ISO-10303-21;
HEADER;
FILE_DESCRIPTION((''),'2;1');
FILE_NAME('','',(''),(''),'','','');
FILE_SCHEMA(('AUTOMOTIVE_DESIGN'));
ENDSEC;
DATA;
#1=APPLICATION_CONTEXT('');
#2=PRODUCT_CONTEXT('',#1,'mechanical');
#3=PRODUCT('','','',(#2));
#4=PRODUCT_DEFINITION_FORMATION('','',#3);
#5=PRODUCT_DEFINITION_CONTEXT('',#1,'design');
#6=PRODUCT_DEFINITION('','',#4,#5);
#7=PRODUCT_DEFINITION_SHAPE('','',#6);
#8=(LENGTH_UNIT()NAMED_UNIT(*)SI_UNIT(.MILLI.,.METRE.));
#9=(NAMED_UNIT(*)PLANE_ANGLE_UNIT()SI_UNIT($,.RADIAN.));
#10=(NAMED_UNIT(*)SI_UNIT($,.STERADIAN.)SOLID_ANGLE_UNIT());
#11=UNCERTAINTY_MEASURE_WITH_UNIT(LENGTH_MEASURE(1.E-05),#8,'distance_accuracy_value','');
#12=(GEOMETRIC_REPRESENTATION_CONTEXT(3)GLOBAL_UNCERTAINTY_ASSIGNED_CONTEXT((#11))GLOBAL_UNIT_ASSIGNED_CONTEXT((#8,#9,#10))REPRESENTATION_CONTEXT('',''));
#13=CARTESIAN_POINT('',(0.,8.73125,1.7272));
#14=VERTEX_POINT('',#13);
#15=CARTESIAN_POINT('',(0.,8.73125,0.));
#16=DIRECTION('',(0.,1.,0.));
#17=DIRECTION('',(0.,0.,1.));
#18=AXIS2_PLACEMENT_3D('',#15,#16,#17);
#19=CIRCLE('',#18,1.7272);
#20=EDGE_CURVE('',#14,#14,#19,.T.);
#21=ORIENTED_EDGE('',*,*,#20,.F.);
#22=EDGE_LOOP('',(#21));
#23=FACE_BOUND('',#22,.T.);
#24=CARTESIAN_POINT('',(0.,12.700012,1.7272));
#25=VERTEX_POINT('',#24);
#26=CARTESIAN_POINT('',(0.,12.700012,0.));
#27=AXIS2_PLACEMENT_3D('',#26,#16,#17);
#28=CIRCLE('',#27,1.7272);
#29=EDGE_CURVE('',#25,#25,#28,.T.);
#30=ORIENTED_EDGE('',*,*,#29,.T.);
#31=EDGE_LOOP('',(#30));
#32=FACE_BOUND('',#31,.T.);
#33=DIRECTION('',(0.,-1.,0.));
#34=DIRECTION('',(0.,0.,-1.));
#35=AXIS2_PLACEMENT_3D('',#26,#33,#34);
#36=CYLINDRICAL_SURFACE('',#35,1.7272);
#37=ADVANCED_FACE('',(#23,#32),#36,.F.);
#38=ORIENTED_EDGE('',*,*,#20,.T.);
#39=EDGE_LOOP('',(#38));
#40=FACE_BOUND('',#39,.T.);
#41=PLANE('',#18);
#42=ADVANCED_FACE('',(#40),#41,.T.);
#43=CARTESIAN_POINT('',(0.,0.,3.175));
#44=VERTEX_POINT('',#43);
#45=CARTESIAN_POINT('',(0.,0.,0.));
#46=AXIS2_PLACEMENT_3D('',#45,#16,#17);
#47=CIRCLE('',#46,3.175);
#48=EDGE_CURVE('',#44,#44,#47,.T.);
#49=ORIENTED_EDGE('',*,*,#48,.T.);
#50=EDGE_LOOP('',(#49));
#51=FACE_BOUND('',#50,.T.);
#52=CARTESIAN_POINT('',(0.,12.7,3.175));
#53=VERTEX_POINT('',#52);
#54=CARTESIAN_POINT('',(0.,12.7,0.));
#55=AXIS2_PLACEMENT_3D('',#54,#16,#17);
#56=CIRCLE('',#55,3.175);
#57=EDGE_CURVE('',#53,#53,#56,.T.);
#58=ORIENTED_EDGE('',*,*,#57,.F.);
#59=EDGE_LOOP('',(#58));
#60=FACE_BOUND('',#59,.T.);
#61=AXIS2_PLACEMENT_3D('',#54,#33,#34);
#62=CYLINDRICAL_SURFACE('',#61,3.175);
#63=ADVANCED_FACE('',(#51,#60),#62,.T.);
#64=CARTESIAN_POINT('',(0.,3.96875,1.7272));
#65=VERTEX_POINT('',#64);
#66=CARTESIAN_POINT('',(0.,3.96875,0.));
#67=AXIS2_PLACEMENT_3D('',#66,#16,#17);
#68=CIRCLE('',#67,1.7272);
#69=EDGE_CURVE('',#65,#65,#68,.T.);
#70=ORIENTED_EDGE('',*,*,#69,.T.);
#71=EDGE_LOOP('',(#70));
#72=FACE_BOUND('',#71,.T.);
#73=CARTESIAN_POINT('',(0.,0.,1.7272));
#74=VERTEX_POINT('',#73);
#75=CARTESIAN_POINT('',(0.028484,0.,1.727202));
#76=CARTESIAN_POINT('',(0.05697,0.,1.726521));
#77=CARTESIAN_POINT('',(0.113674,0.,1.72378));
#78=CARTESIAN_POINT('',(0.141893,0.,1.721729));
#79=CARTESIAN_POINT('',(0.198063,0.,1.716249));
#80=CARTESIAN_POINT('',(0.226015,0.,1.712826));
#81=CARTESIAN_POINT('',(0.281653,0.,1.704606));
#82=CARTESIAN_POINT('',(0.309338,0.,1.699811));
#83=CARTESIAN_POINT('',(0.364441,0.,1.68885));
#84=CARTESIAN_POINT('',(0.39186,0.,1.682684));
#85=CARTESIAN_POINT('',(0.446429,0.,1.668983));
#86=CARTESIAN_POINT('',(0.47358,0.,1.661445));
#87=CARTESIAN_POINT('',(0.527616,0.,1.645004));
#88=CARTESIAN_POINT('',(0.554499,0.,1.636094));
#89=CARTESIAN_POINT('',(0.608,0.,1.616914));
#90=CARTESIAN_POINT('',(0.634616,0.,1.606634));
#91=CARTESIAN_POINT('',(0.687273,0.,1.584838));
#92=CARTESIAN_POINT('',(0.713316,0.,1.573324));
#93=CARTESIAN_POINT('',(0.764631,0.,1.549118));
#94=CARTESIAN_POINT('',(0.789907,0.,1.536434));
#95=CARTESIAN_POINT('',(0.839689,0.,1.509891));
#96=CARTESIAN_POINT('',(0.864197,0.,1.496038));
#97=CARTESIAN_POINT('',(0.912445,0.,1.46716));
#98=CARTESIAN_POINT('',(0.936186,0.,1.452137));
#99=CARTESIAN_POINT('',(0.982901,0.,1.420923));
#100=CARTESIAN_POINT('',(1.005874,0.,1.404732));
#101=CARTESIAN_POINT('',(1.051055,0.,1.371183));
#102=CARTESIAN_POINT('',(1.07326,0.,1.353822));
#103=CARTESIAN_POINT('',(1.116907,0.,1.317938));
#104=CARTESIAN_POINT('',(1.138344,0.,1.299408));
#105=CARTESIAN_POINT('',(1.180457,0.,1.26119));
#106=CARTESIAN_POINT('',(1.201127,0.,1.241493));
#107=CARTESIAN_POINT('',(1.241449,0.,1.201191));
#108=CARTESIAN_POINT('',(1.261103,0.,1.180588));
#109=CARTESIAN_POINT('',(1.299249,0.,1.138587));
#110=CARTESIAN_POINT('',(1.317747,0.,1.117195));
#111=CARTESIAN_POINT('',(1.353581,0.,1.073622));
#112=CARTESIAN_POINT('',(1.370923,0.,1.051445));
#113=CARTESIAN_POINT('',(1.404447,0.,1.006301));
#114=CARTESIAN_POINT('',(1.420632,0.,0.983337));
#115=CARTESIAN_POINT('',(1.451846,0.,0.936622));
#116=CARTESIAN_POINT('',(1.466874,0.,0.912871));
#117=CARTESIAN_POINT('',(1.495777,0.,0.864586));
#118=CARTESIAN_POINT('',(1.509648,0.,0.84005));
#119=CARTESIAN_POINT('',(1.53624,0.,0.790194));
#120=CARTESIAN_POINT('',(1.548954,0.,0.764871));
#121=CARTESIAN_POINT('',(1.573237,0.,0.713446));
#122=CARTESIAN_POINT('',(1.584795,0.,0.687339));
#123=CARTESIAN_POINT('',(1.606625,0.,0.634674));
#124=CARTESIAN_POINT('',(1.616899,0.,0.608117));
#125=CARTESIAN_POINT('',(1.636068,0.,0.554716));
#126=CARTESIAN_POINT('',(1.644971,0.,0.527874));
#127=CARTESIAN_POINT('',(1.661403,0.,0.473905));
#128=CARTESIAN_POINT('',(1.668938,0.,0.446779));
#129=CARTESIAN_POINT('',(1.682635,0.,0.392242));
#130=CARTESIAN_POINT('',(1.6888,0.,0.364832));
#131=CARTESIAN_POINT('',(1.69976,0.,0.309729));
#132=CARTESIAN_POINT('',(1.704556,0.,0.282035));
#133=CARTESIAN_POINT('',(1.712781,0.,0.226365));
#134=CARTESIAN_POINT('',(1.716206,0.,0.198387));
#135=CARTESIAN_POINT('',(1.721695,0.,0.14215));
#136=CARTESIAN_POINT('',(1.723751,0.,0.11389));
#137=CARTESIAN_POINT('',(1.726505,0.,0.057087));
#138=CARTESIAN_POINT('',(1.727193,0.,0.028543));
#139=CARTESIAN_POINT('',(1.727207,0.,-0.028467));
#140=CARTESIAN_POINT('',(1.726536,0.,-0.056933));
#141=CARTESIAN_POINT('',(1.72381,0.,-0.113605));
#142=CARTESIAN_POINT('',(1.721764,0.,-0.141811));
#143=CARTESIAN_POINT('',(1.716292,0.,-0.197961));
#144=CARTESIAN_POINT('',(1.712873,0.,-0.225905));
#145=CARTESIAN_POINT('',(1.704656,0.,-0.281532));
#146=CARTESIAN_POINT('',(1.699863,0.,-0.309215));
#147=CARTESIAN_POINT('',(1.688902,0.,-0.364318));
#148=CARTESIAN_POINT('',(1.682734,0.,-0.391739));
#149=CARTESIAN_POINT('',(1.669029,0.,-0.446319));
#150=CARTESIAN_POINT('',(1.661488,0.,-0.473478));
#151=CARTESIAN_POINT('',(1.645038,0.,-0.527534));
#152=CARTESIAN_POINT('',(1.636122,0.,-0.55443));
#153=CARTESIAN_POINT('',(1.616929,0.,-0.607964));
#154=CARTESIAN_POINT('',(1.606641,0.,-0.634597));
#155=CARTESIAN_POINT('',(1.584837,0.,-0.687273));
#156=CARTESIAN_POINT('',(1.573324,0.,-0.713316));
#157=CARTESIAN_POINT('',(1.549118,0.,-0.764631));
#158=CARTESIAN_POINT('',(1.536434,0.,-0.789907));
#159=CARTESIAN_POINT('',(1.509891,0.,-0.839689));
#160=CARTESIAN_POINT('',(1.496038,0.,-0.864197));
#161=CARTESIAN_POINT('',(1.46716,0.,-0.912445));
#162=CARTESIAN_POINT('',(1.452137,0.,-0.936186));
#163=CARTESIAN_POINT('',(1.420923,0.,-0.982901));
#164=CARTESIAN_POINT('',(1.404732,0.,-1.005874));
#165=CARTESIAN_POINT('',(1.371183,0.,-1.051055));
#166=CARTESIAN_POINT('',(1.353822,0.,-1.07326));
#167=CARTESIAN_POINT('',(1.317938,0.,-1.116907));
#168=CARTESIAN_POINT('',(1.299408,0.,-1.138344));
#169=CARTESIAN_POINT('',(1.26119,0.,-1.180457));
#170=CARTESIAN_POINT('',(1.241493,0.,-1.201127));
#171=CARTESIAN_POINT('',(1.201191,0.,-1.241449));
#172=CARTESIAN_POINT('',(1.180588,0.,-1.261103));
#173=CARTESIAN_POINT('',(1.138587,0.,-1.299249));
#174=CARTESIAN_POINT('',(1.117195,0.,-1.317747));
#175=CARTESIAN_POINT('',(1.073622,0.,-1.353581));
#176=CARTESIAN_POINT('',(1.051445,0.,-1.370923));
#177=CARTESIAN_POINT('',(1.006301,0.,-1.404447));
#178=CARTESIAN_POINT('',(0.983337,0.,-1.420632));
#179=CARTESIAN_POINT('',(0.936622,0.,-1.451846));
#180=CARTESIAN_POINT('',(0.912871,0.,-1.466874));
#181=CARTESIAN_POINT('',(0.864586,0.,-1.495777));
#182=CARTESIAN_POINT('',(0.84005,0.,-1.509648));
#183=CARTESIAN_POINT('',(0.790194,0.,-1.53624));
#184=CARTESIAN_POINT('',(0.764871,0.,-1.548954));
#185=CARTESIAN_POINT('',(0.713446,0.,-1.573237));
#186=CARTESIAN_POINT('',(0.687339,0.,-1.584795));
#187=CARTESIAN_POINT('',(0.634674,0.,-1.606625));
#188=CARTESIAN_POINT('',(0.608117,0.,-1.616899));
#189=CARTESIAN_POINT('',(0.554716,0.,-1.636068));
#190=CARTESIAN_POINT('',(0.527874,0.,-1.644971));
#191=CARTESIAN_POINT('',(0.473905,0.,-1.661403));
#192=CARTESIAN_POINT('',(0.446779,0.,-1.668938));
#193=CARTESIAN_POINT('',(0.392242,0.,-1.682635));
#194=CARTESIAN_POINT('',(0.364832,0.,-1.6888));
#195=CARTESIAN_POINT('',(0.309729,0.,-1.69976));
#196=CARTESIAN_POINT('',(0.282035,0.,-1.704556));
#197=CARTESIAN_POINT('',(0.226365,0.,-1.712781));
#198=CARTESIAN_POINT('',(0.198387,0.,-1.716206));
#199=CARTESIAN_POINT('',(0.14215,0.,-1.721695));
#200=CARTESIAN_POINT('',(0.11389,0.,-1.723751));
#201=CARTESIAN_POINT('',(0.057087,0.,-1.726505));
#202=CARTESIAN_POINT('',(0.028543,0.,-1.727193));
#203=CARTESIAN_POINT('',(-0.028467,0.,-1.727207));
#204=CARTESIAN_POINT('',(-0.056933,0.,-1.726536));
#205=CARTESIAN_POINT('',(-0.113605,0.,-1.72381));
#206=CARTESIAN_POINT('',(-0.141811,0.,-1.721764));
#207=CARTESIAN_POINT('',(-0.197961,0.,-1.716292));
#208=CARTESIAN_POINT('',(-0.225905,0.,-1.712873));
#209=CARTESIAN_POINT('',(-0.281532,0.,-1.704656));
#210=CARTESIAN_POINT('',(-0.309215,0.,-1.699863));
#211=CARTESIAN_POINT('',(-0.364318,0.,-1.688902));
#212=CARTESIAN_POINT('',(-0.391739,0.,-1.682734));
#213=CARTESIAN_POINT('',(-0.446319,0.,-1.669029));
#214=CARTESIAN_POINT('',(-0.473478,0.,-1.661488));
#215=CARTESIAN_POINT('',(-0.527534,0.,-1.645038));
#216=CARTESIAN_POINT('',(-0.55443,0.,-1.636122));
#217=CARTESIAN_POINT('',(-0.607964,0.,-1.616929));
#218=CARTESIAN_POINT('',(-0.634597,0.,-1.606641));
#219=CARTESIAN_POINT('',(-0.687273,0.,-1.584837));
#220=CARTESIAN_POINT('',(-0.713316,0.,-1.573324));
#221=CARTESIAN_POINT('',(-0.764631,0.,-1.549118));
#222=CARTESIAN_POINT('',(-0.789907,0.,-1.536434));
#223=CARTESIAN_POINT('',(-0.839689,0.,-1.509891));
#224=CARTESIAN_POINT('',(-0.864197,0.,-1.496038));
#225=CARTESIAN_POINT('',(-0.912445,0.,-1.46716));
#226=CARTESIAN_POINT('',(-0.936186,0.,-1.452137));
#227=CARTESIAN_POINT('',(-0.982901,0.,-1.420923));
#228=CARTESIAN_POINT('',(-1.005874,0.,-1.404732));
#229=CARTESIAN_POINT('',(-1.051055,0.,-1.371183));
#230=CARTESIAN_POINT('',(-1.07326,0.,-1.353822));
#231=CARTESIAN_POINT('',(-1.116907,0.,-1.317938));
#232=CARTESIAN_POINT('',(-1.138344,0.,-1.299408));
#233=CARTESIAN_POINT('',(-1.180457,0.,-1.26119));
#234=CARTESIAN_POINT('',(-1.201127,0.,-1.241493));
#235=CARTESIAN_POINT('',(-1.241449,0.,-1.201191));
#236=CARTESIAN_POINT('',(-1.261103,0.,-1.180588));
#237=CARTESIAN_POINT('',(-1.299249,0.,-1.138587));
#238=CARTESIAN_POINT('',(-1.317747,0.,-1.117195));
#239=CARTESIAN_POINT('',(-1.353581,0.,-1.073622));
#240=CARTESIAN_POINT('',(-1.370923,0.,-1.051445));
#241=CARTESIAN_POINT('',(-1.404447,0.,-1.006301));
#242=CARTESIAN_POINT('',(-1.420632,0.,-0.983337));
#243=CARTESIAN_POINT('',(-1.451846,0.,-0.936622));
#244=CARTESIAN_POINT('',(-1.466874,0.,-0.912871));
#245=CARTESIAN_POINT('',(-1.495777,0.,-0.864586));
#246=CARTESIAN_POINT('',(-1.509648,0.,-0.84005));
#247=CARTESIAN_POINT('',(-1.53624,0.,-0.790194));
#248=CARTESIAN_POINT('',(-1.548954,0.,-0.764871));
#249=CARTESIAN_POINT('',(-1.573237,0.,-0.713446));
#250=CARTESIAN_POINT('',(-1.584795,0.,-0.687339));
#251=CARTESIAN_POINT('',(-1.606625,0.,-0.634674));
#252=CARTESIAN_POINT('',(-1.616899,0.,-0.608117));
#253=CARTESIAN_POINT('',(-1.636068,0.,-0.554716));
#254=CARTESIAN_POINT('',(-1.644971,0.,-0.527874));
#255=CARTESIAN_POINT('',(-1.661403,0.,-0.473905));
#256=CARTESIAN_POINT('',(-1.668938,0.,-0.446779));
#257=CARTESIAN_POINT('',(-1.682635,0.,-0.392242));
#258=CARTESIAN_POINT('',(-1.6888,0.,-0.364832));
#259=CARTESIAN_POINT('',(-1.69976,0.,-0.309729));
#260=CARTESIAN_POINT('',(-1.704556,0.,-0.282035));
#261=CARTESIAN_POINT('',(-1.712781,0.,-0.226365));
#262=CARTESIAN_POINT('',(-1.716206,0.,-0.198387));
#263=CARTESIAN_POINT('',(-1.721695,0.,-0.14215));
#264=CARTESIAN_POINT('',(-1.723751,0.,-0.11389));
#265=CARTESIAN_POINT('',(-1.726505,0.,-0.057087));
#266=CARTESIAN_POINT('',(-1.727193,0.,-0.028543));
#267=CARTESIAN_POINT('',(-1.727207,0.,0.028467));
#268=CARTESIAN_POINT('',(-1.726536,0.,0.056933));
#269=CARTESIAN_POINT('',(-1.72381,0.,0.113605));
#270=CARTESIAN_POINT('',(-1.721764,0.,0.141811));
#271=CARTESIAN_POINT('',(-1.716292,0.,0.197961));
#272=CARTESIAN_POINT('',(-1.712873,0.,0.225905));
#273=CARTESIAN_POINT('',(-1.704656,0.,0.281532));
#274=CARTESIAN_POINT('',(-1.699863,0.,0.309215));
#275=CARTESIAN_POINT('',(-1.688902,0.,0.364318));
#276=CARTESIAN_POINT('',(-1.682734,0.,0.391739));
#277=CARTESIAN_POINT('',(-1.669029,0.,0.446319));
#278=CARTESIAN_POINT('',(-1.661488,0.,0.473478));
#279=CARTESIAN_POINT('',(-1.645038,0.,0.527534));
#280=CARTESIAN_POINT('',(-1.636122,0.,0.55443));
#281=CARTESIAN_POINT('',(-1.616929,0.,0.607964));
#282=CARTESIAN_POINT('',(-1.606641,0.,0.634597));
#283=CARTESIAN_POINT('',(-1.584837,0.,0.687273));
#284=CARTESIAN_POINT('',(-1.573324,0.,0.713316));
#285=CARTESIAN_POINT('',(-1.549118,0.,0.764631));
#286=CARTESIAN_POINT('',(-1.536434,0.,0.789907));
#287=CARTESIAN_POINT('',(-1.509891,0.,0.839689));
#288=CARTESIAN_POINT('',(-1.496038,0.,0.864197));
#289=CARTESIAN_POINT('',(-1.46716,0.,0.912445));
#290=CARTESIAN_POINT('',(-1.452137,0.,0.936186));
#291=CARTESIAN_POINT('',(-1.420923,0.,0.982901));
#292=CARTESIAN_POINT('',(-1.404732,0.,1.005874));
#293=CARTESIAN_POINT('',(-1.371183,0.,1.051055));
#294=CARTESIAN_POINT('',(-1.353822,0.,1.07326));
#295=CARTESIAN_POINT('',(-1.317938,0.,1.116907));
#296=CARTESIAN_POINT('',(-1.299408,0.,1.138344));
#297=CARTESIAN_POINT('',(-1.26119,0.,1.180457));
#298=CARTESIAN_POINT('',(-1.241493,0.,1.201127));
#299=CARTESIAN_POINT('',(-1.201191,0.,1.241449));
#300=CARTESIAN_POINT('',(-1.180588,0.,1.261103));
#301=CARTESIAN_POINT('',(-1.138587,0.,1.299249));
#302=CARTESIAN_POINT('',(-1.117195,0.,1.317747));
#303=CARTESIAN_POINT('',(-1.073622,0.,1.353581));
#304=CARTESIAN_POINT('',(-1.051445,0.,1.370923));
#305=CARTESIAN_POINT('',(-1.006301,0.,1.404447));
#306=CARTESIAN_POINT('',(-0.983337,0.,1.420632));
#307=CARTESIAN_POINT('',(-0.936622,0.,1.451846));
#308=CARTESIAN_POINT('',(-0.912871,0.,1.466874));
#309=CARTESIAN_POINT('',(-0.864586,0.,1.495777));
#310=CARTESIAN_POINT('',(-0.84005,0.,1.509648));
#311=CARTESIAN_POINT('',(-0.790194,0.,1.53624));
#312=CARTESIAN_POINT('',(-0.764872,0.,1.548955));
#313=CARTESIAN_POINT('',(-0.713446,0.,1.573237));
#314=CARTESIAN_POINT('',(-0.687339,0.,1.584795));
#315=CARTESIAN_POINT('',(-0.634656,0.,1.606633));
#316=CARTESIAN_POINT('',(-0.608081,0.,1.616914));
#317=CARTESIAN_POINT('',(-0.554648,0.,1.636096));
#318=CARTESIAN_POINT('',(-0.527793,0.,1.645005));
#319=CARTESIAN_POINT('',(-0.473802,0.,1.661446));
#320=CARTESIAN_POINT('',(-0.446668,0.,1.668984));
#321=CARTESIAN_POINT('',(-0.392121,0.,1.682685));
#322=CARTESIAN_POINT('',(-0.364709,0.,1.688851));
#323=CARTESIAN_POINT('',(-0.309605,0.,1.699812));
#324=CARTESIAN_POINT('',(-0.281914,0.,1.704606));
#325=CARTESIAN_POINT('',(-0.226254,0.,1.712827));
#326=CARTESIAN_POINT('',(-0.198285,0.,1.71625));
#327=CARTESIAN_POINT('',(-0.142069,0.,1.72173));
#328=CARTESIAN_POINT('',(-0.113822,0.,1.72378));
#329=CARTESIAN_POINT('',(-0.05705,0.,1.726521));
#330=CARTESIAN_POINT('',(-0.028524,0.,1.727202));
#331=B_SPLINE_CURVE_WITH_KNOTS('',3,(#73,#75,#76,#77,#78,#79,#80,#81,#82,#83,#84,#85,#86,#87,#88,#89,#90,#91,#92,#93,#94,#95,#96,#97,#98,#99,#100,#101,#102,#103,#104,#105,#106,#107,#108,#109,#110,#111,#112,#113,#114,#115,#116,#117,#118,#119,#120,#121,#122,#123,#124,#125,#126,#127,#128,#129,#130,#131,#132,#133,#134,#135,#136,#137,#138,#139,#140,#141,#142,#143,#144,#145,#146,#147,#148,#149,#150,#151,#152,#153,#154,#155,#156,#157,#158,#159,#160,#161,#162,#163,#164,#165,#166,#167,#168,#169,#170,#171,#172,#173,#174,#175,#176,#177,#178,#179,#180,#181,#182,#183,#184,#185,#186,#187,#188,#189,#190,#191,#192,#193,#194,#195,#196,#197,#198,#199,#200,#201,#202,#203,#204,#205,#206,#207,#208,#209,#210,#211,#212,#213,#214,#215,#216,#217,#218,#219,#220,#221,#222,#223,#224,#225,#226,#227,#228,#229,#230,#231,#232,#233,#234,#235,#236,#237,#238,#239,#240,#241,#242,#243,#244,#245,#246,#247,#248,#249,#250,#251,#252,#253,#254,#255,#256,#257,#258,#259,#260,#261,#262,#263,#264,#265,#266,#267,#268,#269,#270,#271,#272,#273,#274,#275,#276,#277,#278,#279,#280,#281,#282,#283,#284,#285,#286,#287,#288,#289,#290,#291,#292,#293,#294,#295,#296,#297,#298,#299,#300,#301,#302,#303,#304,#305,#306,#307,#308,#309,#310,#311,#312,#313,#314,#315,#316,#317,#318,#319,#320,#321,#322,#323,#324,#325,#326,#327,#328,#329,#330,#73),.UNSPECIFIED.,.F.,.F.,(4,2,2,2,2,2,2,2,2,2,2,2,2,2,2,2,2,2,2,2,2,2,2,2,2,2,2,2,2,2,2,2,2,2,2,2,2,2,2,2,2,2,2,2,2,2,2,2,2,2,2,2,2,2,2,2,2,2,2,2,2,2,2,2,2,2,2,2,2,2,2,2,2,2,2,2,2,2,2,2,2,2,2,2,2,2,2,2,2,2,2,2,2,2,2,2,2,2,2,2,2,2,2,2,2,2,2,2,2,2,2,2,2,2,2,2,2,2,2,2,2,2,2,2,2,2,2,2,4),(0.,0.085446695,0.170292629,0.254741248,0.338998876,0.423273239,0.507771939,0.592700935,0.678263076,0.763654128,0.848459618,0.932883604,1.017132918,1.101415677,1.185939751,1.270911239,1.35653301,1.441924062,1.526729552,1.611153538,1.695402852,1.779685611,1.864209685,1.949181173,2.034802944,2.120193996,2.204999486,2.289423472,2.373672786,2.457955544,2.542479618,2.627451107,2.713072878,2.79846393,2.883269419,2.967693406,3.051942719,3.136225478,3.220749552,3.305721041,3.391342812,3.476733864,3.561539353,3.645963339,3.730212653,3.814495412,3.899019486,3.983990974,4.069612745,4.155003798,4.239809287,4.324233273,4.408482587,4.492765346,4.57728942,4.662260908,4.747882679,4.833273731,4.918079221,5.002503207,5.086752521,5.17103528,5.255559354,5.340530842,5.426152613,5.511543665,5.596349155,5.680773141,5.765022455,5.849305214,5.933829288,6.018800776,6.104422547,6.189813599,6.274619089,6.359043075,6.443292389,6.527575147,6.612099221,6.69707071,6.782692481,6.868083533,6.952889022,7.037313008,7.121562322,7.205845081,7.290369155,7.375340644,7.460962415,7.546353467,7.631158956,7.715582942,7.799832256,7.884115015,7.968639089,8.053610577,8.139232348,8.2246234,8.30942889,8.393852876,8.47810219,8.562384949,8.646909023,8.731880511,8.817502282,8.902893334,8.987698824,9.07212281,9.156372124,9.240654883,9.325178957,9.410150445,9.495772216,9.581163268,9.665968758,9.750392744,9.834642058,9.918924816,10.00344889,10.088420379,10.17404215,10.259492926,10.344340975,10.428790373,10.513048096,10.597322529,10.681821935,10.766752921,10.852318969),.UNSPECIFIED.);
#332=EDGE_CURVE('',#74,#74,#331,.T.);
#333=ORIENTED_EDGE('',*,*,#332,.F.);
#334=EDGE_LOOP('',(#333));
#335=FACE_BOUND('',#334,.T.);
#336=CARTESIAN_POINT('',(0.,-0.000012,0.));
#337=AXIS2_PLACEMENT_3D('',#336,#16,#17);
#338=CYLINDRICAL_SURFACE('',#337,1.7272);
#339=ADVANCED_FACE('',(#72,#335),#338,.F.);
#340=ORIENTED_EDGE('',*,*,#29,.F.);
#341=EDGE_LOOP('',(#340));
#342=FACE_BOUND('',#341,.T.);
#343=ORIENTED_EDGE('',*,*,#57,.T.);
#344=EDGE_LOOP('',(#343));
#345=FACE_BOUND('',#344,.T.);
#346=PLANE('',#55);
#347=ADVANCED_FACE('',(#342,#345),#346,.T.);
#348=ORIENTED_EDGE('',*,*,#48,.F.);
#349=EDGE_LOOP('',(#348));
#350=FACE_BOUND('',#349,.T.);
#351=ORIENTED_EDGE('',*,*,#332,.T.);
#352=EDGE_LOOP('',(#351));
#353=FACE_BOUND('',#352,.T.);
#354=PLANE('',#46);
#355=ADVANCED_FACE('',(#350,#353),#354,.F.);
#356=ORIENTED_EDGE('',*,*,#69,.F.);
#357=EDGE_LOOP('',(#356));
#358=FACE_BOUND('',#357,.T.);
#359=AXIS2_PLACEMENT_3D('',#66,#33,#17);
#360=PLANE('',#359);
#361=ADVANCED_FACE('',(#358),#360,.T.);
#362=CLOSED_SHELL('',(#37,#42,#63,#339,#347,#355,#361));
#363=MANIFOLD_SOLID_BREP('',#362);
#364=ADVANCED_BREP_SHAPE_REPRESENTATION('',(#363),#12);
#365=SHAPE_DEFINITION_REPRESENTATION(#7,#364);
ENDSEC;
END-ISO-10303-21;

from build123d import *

# Parameters (mm, degrees)
SKETCH1_R           = 3.175
BOSS_EXTRUDE1_DEPTH = 12.7
CUT_EXTRUDE1_START  = -3.96875
SKETCH2_R           = 1.7272
CUT_EXTRUDE1_DEPTH  = 18.439134182


with BuildPart() as part:
    # Sketch1 → Boss-Extrude1 (new body)
    with BuildSketch(Plane(origin=(0, 0, 0), x_dir=(1, 0, 0), z_dir=(0, 1, 0))):
        with Locations(Location((0, 0, 0), (0, 0, 270))):
            Circle(SKETCH1_R)
    extrude(amount=BOSS_EXTRUDE1_DEPTH)

    # Sketch2 → Cut-Extrude1 (cut)
    with BuildSketch(Plane(origin=(0, 12.7, 0), x_dir=(1, 0, 0), z_dir=(0, 1, 0)).offset(CUT_EXTRUDE1_START)):
        with Locations(Location((0, 0, 0), (0, 0, 270))):
            Circle(SKETCH2_R)
    cut_extrude1 = extrude(amount=CUT_EXTRUDE1_DEPTH, mode=Mode.SUBTRACT)

    # Mirror1: Cut-Extrude1 across plane
    add(cut_extrude1.mirror(Plane.ZX.offset(6.35)), mode=Mode.SUBTRACT)


solid = part.part
